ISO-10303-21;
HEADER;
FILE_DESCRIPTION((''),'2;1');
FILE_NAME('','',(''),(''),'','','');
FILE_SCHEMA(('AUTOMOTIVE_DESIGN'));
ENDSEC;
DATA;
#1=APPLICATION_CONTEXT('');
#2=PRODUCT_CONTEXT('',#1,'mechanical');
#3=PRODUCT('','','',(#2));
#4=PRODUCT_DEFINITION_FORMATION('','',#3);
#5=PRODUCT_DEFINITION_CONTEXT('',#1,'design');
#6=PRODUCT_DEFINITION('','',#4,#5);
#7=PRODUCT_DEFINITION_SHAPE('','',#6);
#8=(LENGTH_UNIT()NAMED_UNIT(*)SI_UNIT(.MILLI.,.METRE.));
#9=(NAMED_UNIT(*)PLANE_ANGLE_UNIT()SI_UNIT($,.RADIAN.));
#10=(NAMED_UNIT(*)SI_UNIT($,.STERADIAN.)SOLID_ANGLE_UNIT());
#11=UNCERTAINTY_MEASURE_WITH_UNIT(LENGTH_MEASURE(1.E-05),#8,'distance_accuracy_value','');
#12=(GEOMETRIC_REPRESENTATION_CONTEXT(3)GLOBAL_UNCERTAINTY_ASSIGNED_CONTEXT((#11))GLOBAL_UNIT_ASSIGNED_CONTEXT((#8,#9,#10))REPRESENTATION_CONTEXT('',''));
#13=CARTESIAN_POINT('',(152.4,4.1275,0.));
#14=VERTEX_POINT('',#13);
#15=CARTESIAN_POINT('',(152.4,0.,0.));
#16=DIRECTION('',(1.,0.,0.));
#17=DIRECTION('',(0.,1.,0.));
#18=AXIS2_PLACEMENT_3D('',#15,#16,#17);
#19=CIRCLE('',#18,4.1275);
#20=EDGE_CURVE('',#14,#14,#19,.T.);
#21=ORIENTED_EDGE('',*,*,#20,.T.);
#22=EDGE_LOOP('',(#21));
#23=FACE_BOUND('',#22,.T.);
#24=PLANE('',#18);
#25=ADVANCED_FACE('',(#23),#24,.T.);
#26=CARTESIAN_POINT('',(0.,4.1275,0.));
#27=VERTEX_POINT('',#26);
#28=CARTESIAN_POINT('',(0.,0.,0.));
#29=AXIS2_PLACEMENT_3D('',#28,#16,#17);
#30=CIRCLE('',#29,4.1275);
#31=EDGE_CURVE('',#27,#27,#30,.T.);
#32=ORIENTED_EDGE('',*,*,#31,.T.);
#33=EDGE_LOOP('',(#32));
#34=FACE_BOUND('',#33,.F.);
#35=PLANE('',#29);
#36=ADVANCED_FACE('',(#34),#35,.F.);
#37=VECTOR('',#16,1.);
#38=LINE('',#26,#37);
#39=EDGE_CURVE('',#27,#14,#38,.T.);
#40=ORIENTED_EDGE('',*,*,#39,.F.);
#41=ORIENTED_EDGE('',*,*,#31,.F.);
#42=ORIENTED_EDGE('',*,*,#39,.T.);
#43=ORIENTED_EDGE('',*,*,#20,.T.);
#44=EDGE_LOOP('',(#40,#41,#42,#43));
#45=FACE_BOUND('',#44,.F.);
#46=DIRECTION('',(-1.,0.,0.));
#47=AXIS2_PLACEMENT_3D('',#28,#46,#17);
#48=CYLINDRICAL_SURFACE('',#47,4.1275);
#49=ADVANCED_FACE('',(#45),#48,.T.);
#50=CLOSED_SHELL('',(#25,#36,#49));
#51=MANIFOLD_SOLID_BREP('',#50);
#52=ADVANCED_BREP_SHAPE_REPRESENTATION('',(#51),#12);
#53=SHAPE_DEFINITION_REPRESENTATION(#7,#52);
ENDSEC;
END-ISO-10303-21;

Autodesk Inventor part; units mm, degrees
ref_plane "YZ Plane" through (0, 0, 0) normal (1, 0, 0) x (0, 1, 0)
ref_plane "XZ Plane" through (0, 0, 0) normal (0, 1, 0) x (-1, 0, 0)
ref_plane "XY Plane" through (0, 0, 0) normal (0, 0, 1) x (1, 0, 0)
sketch "Sketch1" plane through (0, 0, 0) normal (1, 0, 0) x (0, 1, 0)
  circle A0 centre (0, 0) radius 4.1275
  dimension "d0" = 8.255
extrude "Extrusion1" add sketch "Sketch1" along normal blind 152.4
thread "Thread1" size "3/8-16 UNC" class "2A" standard "ANSI Unified Screw Threads" full length
properties part number "Threaded Shaft"
